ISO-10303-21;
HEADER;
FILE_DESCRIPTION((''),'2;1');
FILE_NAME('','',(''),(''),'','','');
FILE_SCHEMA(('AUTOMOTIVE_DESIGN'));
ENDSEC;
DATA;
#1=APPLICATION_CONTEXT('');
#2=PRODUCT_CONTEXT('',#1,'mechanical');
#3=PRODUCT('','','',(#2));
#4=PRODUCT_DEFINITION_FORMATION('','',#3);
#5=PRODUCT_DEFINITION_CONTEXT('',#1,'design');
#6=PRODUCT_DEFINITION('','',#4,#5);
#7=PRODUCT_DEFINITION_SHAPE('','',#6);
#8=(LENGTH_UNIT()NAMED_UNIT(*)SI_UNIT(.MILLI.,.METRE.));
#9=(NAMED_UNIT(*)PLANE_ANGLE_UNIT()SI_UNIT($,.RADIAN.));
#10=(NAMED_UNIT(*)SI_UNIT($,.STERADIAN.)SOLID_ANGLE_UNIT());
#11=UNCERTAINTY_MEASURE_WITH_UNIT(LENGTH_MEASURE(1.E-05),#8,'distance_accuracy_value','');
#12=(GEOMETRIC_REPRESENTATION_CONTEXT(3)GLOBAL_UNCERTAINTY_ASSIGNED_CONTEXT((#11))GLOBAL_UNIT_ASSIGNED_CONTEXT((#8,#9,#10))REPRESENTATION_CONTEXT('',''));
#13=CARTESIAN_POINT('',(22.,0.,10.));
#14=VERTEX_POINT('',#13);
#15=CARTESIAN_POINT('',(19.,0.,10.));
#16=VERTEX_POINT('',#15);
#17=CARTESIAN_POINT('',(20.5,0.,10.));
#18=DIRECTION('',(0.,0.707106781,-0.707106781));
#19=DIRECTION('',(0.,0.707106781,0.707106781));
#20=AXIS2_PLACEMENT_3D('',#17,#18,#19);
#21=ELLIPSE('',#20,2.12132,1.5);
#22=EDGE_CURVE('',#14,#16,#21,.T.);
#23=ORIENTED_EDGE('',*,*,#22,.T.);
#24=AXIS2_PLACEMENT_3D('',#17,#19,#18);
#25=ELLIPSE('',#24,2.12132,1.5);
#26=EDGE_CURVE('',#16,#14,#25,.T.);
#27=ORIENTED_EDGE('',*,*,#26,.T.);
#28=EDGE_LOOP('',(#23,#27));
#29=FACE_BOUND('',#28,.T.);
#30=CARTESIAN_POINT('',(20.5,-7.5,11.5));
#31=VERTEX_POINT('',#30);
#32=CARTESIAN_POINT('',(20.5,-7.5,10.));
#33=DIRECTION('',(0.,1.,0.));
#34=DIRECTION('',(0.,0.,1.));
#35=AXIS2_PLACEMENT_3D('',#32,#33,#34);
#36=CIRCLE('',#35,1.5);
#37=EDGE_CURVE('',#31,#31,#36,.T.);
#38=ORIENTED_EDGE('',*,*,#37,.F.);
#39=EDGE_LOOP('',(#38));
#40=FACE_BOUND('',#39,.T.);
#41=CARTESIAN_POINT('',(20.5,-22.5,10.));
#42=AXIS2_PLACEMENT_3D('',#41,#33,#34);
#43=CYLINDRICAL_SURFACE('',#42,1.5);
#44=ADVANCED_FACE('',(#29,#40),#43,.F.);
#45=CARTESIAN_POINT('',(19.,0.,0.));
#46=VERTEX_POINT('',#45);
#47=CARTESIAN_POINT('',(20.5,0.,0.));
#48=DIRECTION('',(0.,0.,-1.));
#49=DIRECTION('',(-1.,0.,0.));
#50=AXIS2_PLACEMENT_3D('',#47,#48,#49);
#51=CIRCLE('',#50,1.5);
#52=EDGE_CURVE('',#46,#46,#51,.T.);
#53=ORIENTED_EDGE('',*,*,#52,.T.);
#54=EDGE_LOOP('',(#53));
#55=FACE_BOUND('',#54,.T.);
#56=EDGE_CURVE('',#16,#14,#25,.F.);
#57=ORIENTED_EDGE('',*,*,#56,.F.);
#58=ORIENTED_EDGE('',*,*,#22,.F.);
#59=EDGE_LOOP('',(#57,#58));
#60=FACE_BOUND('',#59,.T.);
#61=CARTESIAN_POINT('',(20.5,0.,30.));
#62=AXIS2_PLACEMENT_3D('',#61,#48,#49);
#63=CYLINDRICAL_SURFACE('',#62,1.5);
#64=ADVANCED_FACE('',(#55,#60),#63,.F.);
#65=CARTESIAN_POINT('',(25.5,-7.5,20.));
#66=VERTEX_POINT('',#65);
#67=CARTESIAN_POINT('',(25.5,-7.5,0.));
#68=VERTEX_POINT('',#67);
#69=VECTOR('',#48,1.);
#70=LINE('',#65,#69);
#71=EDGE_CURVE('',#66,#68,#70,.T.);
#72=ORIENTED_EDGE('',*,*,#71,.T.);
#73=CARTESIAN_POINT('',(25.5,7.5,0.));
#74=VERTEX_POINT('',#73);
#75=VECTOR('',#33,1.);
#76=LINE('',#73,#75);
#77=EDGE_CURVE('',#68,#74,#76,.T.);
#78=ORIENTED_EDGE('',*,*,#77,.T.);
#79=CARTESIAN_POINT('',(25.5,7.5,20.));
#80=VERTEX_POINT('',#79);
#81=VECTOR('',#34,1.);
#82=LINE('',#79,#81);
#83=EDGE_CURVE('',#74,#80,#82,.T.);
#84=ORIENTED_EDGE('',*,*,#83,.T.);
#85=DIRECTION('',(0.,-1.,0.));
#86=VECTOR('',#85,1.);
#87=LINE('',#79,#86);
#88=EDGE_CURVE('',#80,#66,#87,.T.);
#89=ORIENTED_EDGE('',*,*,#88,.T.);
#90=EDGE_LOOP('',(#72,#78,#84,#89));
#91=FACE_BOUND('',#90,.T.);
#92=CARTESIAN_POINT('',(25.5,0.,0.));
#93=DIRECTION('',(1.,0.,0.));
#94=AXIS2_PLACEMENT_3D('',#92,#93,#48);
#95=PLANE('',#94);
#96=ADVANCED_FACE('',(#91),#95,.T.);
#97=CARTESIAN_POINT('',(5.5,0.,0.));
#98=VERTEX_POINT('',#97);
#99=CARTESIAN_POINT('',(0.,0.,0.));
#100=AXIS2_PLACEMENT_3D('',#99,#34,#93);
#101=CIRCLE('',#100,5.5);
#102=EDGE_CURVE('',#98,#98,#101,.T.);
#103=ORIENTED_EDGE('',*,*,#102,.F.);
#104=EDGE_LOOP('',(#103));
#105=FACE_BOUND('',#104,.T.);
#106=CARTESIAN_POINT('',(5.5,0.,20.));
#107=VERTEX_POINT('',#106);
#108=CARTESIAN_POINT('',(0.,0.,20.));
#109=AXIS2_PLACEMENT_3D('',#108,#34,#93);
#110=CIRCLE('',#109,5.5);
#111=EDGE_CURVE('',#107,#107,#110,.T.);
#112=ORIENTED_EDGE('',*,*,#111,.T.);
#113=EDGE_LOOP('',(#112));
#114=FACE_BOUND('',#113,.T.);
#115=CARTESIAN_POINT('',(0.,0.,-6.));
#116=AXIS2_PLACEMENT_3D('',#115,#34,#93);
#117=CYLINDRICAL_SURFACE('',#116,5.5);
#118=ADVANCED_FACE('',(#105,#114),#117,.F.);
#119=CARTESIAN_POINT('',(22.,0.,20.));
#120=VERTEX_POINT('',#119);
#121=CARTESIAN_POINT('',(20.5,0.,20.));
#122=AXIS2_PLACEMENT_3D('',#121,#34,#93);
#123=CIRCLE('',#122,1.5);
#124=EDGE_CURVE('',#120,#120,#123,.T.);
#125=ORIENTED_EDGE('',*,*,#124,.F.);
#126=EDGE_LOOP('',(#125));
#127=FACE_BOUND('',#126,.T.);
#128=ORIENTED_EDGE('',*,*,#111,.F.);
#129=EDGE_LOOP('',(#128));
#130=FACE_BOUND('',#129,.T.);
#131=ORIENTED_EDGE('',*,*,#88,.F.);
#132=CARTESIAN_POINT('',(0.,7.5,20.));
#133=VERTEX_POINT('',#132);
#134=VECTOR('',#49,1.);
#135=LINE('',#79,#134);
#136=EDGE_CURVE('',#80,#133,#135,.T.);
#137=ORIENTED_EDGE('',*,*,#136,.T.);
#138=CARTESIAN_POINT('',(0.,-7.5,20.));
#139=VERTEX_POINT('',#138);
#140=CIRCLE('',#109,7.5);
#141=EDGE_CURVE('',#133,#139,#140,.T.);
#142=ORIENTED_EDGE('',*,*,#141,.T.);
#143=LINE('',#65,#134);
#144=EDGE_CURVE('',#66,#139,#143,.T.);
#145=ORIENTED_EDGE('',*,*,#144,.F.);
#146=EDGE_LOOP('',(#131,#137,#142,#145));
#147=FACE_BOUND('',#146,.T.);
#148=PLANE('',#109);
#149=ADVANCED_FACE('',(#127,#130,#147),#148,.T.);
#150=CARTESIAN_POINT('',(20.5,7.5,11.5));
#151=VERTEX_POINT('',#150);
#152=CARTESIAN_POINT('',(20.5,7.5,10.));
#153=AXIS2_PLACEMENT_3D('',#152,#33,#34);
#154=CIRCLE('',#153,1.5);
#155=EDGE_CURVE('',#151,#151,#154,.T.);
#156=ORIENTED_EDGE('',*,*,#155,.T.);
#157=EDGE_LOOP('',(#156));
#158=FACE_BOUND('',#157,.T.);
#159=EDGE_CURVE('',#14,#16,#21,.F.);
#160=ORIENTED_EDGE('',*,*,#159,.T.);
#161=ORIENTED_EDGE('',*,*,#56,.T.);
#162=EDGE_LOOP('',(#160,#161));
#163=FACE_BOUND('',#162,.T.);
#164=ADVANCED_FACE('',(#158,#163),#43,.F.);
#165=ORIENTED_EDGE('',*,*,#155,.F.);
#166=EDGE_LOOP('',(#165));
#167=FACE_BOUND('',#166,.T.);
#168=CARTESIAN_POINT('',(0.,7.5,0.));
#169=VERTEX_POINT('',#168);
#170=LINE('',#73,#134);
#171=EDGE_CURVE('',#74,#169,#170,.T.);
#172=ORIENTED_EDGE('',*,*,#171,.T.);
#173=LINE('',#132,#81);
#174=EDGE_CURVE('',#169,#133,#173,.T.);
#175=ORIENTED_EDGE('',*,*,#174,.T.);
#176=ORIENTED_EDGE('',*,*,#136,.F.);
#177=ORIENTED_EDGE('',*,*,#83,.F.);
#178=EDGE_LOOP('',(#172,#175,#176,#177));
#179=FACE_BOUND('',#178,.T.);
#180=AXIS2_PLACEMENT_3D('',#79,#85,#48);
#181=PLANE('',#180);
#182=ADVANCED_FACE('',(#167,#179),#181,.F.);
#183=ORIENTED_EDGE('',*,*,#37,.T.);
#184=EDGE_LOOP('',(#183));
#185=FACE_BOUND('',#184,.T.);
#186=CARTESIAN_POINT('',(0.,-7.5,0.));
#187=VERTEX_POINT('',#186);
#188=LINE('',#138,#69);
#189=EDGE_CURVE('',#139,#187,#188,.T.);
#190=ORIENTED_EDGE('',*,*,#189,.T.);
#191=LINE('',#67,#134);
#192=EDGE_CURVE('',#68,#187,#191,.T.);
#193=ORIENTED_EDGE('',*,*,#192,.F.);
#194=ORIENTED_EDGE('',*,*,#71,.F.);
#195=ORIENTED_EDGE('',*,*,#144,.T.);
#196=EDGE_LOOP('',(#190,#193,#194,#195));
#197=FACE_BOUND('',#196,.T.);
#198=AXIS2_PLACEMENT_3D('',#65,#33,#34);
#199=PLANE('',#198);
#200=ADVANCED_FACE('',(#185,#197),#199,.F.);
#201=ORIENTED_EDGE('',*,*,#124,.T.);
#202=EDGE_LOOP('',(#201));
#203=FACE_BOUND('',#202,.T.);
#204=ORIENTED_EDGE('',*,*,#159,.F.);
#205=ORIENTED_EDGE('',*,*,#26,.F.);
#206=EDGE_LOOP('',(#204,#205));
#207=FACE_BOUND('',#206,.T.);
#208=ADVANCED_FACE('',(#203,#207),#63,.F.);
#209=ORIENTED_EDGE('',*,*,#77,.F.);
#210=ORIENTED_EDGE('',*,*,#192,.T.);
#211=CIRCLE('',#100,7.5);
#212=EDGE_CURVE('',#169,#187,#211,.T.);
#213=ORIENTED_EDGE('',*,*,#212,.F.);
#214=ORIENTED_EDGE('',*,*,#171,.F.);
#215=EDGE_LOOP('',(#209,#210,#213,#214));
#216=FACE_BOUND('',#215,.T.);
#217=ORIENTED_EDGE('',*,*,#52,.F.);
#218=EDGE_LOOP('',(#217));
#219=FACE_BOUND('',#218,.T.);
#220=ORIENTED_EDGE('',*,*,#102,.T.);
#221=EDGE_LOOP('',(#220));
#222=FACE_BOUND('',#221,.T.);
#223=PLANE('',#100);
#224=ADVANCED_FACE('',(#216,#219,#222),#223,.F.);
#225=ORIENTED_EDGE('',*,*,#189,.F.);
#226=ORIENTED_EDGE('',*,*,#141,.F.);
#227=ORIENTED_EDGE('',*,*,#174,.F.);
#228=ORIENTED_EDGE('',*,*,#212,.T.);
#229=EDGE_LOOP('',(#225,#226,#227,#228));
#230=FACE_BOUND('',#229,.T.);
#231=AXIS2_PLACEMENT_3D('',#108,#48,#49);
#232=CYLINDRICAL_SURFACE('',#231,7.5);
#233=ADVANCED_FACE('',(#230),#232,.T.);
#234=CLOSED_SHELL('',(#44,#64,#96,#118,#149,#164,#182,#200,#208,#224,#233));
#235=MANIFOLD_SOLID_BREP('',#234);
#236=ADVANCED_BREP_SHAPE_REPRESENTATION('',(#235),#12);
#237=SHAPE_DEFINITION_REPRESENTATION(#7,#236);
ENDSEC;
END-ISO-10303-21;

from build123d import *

# Parameters (mm, degrees)
SKETCH1_R           = 7.5
BOSS_EXTRUDE1_DEPTH = 20
SKETCH2_W           = 20
SKETCH2_H           = 15
BOSS_EXTRUDE2_DEPTH = 25.5
SKETCH3_R           = 5.5
CUT_EXTRUDE1_DEPTH  = 26
SKETCH4_R           = 1.5
CUT_EXTRUDE2_DEPTH  = 30
SKETCH5_R           = 1.5
CUT_EXTRUDE3_DEPTH  = 30


with BuildPart() as part:
    # Sketch1 → Boss-Extrude1 (new body)
    with BuildSketch(Plane.XY):
        Circle(SKETCH1_R)
    extrude(amount=BOSS_EXTRUDE1_DEPTH)

    # Sketch2 → Boss-Extrude2 (add)
    with BuildSketch(Plane(origin=(0, 0, 0), x_dir=(0, 0, -1), z_dir=(1, 0, 0))):
        with Locations((-10, 0)):
            Rectangle(SKETCH2_W, SKETCH2_H)
    extrude(amount=BOSS_EXTRUDE2_DEPTH)

    # Sketch3 → Cut-Extrude1 (cut)
    with BuildSketch(Plane.XY.offset(20)):
        Circle(SKETCH3_R)
    extrude(amount=-CUT_EXTRUDE1_DEPTH, mode=Mode.SUBTRACT)

    # Sketch4 → Cut-Extrude2 (cut)
    with BuildSketch(Plane(origin=(0, 7.5, 0), x_dir=(1, 0, 0), z_dir=(0, 1, 0))):
        with Locations(Location((20.5, -10, 0), (0, 0, 270))):
            Circle(SKETCH4_R)
    extrude(amount=-CUT_EXTRUDE2_DEPTH, mode=Mode.SUBTRACT)

    # Sketch5 → Cut-Extrude3 (cut)
    with BuildSketch(Plane(origin=(0, 0, 0), x_dir=(-1, 0, 0), z_dir=(0, 0, -1))):
        with Locations((-20.5, 0)):
            Circle(SKETCH5_R)
    extrude(amount=-CUT_EXTRUDE3_DEPTH, mode=Mode.SUBTRACT)


solid = part.part
